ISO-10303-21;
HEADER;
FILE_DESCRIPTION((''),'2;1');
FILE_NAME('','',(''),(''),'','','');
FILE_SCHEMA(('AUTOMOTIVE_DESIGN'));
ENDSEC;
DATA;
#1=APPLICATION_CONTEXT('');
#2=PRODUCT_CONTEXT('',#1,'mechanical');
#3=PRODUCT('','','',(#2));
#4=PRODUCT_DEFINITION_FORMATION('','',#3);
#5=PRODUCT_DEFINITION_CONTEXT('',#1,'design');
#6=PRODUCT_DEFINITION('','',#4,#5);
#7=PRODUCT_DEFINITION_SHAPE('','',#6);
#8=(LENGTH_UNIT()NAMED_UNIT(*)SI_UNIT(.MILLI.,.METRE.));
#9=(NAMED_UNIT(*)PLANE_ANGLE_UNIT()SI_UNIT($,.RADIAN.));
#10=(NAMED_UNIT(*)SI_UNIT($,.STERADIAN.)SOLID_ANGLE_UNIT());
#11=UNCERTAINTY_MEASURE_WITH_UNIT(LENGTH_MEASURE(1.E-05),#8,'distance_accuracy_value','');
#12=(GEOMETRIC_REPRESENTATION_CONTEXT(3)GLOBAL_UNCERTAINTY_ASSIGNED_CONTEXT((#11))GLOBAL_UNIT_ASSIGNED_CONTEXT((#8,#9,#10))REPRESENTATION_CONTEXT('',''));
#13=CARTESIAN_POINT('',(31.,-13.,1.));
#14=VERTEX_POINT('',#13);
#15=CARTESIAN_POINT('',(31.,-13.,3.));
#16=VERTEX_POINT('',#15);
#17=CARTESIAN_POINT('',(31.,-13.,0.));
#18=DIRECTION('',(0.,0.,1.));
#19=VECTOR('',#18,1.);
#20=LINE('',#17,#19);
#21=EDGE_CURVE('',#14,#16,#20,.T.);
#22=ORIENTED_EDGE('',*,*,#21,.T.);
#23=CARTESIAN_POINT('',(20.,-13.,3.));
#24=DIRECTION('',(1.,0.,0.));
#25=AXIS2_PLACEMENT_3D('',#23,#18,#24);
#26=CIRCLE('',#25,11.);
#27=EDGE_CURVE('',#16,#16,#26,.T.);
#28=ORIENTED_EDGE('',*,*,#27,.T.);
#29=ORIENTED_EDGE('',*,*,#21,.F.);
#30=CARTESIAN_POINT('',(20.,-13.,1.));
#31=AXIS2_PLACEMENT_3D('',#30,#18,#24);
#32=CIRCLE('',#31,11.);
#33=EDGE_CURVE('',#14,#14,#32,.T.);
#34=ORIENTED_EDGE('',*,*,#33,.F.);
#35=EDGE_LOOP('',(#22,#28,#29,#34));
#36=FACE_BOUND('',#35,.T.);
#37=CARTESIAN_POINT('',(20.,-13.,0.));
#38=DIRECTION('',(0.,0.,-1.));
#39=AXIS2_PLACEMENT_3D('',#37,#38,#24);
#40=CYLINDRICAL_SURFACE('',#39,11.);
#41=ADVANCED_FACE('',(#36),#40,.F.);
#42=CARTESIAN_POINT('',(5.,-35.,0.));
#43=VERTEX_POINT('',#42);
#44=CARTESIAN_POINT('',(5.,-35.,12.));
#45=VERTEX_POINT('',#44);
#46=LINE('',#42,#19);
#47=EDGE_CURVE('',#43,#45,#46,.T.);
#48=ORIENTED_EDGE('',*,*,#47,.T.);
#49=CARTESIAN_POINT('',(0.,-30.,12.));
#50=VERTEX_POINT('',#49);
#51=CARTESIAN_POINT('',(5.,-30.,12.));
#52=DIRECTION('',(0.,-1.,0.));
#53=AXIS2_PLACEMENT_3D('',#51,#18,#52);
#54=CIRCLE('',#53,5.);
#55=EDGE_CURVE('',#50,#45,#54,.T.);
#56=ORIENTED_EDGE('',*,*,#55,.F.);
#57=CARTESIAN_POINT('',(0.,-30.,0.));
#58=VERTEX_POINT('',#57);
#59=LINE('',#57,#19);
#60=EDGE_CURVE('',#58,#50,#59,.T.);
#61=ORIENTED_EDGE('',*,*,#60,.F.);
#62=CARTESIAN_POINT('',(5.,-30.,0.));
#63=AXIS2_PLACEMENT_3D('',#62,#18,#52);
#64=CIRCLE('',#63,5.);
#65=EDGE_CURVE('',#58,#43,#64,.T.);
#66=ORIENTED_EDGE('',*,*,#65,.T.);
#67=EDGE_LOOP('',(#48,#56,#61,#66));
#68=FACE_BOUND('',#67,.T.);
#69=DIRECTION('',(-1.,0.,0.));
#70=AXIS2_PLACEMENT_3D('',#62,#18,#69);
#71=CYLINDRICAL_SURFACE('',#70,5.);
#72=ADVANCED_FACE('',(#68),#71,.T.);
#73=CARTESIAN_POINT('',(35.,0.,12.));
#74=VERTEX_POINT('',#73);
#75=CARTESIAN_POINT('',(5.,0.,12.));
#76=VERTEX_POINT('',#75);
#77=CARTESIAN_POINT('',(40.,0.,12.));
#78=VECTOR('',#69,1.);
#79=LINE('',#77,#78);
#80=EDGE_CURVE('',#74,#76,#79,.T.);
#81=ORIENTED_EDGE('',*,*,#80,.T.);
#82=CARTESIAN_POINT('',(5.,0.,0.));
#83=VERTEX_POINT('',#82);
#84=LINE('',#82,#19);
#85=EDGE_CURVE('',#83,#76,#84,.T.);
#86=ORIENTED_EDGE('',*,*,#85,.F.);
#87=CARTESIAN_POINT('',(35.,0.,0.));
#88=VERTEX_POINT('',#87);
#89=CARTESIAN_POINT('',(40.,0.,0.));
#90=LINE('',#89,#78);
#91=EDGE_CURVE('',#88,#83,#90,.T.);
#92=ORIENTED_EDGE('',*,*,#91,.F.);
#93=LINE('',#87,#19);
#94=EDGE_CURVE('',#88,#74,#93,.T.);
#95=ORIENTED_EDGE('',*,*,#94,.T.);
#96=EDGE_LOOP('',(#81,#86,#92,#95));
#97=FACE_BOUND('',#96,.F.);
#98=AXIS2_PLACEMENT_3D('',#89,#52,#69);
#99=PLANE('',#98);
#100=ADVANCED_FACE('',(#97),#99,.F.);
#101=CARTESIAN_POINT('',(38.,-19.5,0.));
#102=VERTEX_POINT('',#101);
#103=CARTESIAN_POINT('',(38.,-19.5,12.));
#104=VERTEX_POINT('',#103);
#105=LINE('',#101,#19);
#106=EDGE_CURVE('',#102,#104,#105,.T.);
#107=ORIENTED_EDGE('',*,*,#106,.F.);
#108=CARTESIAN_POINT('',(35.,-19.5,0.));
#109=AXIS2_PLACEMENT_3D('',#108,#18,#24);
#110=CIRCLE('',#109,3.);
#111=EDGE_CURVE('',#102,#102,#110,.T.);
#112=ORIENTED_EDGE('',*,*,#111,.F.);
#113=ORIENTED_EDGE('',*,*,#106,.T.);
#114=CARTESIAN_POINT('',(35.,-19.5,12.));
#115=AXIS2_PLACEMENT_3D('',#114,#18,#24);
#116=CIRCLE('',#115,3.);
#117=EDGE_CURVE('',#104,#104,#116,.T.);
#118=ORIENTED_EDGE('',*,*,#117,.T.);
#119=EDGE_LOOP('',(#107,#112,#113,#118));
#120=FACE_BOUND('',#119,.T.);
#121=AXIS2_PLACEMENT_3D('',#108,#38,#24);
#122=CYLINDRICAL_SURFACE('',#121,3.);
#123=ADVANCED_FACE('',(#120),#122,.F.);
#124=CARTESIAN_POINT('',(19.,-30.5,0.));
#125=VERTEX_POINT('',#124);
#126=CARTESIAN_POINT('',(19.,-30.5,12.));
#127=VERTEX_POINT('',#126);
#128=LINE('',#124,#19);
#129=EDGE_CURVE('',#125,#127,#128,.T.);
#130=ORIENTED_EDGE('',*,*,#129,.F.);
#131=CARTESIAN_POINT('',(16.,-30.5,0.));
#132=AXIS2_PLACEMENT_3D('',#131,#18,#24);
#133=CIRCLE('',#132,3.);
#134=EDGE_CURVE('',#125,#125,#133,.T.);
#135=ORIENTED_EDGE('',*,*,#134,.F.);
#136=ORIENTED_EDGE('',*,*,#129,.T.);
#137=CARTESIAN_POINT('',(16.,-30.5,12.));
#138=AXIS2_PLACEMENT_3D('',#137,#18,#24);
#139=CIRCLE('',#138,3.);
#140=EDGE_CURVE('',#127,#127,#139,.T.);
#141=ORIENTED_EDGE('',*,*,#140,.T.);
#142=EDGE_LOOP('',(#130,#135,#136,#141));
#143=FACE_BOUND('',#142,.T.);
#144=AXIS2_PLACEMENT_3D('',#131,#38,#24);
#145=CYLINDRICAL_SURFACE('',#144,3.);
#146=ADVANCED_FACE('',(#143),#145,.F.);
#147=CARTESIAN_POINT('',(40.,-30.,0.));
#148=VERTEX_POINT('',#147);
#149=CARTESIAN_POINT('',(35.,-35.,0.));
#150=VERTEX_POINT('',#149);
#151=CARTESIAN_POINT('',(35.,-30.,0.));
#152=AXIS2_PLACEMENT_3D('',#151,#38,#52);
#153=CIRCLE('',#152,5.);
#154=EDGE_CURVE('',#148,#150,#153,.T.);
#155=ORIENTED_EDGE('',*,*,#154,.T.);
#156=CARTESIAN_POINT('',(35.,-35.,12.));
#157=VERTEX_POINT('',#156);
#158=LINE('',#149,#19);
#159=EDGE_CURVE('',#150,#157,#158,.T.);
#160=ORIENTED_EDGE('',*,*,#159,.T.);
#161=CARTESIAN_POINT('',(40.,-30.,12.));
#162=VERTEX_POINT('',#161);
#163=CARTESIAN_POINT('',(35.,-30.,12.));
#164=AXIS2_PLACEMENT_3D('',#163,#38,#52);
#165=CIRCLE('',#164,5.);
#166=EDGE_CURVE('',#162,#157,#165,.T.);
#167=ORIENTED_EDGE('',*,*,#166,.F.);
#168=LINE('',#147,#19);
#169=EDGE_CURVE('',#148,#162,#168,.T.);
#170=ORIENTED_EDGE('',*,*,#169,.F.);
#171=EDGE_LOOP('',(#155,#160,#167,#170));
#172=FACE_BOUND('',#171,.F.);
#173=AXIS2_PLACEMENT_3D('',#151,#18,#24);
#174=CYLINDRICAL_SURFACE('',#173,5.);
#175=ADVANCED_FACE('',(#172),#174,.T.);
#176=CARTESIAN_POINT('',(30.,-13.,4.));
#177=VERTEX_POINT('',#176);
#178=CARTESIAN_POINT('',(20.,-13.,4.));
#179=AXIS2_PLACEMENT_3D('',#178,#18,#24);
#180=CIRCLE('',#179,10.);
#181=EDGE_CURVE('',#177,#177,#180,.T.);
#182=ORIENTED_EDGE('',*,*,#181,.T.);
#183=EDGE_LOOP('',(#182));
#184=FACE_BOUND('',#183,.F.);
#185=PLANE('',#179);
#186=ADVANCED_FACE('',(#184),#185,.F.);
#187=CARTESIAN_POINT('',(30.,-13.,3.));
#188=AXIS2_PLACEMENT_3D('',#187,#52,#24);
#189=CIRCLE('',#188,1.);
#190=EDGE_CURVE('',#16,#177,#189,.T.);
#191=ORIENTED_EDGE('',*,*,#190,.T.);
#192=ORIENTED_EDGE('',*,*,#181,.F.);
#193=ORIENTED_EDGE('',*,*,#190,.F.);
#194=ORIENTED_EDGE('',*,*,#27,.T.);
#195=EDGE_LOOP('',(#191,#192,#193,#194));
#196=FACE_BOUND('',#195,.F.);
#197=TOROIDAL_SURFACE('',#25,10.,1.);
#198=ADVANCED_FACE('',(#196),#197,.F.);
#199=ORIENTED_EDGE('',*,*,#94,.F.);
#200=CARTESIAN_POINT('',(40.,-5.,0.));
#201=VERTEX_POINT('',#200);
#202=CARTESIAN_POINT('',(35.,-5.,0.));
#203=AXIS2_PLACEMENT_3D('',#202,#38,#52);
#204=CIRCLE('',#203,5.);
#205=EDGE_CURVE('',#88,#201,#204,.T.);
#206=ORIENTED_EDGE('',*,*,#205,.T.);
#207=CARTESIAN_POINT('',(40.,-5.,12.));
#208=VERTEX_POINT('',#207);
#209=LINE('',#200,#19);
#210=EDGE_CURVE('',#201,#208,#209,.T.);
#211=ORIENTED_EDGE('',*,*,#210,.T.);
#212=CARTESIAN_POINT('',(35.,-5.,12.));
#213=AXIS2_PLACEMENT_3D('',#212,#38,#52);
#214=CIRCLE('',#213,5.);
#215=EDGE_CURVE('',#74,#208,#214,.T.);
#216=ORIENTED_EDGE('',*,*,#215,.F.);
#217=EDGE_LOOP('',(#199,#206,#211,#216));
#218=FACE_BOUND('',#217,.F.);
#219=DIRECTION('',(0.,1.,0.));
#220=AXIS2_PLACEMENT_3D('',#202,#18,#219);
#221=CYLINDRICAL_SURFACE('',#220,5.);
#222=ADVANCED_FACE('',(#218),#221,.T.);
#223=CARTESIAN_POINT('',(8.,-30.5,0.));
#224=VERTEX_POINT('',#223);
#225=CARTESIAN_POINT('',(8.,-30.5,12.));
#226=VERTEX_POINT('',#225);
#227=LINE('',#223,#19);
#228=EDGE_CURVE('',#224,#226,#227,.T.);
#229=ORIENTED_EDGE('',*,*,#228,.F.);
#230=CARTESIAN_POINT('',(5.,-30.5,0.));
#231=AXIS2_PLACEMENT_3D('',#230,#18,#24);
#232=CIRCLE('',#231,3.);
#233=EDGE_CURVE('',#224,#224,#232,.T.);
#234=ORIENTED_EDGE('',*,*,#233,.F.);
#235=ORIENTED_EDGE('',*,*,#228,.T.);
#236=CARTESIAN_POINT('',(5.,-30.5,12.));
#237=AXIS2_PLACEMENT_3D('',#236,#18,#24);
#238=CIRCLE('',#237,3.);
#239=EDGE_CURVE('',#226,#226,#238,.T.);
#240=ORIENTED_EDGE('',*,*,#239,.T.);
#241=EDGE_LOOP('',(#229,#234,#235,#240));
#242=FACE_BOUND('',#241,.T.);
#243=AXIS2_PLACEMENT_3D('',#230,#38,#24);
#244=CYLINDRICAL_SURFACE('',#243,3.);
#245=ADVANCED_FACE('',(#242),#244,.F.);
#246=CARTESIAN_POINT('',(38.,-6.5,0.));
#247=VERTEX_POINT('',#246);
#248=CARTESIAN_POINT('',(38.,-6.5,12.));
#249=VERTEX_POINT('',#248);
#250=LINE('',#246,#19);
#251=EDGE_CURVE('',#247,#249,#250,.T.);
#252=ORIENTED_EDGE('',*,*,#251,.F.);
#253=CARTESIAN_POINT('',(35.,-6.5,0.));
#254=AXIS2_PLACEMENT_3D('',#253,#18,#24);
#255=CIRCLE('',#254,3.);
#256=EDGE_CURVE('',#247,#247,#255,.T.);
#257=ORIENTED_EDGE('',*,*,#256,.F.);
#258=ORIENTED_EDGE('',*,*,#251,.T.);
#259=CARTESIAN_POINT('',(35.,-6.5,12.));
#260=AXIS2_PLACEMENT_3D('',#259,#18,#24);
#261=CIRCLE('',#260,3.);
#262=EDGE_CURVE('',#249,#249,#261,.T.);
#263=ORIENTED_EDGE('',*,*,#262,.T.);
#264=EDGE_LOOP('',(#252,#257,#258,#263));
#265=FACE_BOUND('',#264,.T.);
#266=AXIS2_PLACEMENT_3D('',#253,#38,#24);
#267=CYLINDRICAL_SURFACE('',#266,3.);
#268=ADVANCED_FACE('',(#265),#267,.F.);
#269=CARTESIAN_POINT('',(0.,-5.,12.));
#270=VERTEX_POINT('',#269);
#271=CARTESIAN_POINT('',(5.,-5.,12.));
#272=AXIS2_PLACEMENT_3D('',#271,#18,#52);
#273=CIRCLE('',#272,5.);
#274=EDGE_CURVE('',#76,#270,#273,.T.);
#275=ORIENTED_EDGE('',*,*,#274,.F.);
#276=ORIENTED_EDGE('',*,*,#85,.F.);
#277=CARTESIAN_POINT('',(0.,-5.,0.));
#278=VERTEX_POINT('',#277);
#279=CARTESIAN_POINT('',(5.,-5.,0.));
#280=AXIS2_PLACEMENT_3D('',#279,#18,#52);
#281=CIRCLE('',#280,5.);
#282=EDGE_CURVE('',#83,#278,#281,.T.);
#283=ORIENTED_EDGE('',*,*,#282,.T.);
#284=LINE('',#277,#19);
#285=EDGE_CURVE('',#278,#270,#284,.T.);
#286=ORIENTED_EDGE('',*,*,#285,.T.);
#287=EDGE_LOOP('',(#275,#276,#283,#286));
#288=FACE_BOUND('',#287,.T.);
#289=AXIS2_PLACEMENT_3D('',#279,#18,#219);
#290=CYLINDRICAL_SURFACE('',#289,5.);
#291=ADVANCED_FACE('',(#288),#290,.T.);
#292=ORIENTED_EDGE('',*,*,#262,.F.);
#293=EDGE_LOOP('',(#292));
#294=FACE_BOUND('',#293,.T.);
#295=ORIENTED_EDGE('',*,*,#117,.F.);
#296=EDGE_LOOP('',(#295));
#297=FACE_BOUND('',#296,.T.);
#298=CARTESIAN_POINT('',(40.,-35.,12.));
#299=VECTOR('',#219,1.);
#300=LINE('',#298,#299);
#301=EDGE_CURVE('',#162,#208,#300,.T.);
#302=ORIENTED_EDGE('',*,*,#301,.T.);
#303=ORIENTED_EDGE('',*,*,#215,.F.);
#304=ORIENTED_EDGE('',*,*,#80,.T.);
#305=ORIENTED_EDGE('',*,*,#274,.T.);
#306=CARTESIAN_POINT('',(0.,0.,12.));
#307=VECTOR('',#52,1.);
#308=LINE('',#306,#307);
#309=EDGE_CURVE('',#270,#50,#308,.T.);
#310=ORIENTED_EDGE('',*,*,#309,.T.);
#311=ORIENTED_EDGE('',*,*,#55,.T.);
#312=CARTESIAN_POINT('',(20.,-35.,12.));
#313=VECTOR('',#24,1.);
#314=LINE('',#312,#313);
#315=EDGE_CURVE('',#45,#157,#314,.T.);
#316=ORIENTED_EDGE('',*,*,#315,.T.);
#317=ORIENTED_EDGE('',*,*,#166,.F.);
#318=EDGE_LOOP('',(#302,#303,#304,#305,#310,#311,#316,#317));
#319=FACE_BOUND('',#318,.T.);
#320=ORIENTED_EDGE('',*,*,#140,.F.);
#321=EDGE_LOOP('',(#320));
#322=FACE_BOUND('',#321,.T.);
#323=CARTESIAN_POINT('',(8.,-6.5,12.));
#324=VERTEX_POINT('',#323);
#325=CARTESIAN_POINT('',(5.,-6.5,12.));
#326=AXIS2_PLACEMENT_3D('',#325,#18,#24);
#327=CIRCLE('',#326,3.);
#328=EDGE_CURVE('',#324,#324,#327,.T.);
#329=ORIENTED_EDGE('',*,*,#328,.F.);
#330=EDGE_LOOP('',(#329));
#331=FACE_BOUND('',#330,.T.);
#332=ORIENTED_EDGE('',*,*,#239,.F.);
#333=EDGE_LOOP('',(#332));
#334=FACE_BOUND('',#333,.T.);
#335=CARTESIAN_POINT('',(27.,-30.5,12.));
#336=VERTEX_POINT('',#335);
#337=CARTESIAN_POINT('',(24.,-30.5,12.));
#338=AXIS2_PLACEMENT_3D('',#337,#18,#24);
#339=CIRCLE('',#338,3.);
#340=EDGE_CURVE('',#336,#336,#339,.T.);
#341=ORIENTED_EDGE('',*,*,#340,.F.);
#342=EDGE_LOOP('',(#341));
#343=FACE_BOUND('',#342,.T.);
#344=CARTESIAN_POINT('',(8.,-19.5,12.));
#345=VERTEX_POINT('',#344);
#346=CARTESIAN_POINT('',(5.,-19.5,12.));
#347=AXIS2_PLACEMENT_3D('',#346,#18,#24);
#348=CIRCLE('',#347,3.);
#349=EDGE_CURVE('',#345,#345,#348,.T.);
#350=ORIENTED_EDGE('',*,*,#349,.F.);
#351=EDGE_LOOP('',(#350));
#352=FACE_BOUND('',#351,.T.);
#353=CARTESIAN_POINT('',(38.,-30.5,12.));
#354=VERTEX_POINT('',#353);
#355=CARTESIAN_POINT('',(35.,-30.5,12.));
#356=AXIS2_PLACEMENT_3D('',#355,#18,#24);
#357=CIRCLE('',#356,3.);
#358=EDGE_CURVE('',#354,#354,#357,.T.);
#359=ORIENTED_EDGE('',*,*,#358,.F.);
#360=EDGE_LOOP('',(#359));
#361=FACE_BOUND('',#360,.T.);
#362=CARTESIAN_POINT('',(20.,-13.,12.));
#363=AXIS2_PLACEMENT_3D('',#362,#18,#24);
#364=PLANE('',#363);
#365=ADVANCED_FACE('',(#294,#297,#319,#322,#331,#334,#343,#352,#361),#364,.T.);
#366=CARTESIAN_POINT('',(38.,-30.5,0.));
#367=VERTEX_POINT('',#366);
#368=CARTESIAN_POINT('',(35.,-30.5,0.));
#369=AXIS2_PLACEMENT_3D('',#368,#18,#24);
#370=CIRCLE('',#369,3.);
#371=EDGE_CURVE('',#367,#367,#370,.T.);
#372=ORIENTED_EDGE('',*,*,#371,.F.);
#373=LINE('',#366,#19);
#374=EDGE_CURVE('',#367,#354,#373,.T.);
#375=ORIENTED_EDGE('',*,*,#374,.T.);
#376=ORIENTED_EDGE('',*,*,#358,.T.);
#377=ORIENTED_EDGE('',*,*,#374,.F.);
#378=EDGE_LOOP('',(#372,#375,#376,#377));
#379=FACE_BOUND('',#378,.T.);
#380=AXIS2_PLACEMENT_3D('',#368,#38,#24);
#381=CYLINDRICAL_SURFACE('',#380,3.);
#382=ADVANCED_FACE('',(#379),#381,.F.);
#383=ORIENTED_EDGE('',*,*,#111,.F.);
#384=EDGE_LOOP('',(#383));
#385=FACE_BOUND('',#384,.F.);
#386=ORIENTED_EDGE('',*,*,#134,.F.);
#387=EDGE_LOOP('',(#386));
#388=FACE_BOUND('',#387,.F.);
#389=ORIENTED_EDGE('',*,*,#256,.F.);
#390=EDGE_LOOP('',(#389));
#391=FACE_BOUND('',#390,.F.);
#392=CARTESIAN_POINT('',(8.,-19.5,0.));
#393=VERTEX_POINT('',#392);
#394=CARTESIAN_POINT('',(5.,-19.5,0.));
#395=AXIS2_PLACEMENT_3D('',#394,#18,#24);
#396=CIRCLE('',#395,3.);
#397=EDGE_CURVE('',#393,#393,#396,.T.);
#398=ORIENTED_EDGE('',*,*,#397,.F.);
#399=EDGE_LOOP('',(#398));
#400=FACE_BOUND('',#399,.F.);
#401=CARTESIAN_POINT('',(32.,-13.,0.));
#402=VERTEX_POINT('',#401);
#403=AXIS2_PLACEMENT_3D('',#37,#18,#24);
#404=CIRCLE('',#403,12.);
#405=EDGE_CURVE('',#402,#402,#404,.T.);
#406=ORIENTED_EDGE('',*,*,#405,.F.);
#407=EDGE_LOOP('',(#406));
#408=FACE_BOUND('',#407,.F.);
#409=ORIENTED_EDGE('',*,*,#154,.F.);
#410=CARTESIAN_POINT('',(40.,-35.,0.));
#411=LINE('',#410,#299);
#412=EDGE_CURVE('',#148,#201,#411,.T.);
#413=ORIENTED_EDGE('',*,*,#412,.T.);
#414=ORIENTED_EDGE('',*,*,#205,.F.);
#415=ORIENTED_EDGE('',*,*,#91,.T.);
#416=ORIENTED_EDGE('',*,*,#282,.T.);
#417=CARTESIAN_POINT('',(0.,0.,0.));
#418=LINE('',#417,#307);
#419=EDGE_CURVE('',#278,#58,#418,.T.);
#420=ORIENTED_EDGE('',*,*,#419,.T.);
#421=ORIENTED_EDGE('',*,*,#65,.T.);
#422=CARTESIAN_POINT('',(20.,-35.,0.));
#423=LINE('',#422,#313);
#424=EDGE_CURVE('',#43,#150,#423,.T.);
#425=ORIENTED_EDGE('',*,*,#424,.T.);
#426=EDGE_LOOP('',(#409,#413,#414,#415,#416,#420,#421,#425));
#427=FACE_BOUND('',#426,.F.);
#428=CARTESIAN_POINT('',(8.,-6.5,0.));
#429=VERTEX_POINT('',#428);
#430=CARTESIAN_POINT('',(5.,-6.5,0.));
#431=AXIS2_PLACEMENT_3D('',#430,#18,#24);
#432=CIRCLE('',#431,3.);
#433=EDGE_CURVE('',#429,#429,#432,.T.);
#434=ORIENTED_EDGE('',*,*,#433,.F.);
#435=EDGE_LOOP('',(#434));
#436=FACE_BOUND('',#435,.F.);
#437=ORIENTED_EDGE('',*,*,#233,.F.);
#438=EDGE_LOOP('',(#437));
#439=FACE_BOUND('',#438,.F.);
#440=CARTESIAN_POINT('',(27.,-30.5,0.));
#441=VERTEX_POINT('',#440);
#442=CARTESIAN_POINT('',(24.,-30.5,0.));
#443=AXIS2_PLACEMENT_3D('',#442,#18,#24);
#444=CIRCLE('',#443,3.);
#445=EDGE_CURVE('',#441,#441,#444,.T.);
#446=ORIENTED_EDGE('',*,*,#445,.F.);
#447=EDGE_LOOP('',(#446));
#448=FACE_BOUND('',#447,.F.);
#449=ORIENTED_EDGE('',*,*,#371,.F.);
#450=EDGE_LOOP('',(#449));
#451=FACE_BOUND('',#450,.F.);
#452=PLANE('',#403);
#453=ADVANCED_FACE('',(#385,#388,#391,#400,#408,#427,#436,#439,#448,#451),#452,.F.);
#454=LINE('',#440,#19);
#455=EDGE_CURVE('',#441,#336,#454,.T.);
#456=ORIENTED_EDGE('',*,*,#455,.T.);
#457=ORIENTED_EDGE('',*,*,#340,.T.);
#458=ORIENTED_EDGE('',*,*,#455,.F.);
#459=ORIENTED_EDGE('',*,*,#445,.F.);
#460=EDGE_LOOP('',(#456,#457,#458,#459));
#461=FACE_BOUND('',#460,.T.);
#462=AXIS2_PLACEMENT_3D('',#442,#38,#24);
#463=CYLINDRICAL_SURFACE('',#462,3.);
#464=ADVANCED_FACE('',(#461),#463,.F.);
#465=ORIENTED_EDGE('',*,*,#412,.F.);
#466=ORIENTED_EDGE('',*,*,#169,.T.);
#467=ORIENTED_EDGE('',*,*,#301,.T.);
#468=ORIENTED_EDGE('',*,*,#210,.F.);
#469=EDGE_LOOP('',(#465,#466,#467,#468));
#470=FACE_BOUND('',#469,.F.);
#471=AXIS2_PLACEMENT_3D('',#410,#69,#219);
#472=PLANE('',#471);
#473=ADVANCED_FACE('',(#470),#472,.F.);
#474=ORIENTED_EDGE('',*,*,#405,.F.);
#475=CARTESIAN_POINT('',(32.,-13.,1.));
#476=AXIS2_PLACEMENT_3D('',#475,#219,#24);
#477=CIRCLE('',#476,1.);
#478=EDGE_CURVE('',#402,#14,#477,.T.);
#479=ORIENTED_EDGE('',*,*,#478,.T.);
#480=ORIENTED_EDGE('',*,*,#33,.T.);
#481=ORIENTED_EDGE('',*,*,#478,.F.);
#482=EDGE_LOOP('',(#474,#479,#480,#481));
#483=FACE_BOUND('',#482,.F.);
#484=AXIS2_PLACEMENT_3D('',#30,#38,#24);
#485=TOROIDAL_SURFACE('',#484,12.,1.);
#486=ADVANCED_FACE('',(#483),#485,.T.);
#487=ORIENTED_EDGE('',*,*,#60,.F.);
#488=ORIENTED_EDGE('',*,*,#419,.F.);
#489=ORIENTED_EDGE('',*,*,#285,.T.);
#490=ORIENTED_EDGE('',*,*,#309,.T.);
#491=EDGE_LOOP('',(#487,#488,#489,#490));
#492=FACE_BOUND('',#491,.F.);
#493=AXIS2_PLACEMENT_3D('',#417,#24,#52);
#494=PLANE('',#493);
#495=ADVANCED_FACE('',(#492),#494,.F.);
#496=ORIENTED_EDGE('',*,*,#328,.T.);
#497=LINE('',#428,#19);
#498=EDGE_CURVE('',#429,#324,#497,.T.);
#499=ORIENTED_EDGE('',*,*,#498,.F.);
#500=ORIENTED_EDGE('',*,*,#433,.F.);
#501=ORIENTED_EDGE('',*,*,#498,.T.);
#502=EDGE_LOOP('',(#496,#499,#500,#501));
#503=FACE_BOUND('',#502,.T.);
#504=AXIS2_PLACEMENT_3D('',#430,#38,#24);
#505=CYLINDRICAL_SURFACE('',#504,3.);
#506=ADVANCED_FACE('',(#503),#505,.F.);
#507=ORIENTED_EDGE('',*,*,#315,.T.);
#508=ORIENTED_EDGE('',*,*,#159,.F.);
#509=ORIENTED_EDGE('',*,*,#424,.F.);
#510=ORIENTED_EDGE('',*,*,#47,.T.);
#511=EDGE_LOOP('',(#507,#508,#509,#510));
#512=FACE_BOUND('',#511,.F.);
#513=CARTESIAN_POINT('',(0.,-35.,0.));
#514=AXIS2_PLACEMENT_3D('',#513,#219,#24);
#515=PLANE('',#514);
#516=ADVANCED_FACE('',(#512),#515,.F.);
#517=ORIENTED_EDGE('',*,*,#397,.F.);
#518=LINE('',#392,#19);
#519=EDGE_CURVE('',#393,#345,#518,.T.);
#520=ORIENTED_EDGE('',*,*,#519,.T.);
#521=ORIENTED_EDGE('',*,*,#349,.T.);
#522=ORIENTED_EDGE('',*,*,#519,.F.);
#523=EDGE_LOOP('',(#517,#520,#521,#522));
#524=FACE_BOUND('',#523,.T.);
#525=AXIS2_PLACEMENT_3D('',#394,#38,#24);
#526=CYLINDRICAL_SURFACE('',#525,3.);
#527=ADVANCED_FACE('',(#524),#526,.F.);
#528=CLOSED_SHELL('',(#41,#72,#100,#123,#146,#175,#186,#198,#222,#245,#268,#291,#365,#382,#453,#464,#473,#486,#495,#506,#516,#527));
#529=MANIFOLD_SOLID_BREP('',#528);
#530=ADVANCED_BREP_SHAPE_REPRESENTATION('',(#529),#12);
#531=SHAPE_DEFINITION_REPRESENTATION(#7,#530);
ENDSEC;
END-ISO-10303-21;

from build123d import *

# Parameters (mm, degrees)
F0_R     = 3
F0_R_2   = 11
F0_W     = 40
F0_H     = 9
F1_DEPTH = 12
F2_DEPTH = 4
F3_R     = 5
F4_R     = 1


with BuildPart() as f1:
    # F0 (on Top) → F1 (new body)
    with BuildSketch(Plane.XY):
        Polygon((40, 0), (0, 0), (0, -13), (0, -26), (40, -26), (40, -13), align=None)
        with Locations((5, -19.5)):
            Circle(F0_R, mode=Mode.SUBTRACT)
        with Locations((35, -19.5)):
            Circle(F0_R, mode=Mode.SUBTRACT)
        with Locations((5, -6.5)):
            Circle(F0_R, mode=Mode.SUBTRACT)
        with Locations((20, -13)):
            Circle(F0_R_2, mode=Mode.SUBTRACT)
        with Locations((35, -6.5)):
            Circle(F0_R, mode=Mode.SUBTRACT)
        with Locations((20, -13)):
            Circle(F0_R_2)
        with Locations((20, -30.5)):
            Rectangle(F0_W, F0_H)
        with Locations((5, -30.5)):
            Circle(F0_R, mode=Mode.SUBTRACT)
        with Locations((16, -30.5)):
            Circle(F0_R, mode=Mode.SUBTRACT)
        with Locations((24, -30.5)):
            Circle(F0_R, mode=Mode.SUBTRACT)
        with Locations((35, -30.5)):
            Circle(F0_R, mode=Mode.SUBTRACT)
    extrude(amount=F1_DEPTH)

    # F0 (on Top) → F2 (cut)
    with BuildSketch(Plane.XY):
        with Locations((20, -13)):
            Circle(F0_R_2)
    extrude(amount=F2_DEPTH, mode=Mode.SUBTRACT)

    # F3
    f3_edges = [f1.edges().sort_by_distance(p)[0] for p in [
        (40, -35, 6),
        (0, -35, 6),
        (0, 0, 6),
        (40, 0, 6),
    ]]
    fillet(f3_edges, radius=F3_R)

    # F4
    f4_edges = [f1.edges().sort_by_distance(p)[0] for p in [
        (9, -13, 4),
        (9, -13, 0),
    ]]
    fillet(f4_edges, radius=F4_R)


solid = f1.part
